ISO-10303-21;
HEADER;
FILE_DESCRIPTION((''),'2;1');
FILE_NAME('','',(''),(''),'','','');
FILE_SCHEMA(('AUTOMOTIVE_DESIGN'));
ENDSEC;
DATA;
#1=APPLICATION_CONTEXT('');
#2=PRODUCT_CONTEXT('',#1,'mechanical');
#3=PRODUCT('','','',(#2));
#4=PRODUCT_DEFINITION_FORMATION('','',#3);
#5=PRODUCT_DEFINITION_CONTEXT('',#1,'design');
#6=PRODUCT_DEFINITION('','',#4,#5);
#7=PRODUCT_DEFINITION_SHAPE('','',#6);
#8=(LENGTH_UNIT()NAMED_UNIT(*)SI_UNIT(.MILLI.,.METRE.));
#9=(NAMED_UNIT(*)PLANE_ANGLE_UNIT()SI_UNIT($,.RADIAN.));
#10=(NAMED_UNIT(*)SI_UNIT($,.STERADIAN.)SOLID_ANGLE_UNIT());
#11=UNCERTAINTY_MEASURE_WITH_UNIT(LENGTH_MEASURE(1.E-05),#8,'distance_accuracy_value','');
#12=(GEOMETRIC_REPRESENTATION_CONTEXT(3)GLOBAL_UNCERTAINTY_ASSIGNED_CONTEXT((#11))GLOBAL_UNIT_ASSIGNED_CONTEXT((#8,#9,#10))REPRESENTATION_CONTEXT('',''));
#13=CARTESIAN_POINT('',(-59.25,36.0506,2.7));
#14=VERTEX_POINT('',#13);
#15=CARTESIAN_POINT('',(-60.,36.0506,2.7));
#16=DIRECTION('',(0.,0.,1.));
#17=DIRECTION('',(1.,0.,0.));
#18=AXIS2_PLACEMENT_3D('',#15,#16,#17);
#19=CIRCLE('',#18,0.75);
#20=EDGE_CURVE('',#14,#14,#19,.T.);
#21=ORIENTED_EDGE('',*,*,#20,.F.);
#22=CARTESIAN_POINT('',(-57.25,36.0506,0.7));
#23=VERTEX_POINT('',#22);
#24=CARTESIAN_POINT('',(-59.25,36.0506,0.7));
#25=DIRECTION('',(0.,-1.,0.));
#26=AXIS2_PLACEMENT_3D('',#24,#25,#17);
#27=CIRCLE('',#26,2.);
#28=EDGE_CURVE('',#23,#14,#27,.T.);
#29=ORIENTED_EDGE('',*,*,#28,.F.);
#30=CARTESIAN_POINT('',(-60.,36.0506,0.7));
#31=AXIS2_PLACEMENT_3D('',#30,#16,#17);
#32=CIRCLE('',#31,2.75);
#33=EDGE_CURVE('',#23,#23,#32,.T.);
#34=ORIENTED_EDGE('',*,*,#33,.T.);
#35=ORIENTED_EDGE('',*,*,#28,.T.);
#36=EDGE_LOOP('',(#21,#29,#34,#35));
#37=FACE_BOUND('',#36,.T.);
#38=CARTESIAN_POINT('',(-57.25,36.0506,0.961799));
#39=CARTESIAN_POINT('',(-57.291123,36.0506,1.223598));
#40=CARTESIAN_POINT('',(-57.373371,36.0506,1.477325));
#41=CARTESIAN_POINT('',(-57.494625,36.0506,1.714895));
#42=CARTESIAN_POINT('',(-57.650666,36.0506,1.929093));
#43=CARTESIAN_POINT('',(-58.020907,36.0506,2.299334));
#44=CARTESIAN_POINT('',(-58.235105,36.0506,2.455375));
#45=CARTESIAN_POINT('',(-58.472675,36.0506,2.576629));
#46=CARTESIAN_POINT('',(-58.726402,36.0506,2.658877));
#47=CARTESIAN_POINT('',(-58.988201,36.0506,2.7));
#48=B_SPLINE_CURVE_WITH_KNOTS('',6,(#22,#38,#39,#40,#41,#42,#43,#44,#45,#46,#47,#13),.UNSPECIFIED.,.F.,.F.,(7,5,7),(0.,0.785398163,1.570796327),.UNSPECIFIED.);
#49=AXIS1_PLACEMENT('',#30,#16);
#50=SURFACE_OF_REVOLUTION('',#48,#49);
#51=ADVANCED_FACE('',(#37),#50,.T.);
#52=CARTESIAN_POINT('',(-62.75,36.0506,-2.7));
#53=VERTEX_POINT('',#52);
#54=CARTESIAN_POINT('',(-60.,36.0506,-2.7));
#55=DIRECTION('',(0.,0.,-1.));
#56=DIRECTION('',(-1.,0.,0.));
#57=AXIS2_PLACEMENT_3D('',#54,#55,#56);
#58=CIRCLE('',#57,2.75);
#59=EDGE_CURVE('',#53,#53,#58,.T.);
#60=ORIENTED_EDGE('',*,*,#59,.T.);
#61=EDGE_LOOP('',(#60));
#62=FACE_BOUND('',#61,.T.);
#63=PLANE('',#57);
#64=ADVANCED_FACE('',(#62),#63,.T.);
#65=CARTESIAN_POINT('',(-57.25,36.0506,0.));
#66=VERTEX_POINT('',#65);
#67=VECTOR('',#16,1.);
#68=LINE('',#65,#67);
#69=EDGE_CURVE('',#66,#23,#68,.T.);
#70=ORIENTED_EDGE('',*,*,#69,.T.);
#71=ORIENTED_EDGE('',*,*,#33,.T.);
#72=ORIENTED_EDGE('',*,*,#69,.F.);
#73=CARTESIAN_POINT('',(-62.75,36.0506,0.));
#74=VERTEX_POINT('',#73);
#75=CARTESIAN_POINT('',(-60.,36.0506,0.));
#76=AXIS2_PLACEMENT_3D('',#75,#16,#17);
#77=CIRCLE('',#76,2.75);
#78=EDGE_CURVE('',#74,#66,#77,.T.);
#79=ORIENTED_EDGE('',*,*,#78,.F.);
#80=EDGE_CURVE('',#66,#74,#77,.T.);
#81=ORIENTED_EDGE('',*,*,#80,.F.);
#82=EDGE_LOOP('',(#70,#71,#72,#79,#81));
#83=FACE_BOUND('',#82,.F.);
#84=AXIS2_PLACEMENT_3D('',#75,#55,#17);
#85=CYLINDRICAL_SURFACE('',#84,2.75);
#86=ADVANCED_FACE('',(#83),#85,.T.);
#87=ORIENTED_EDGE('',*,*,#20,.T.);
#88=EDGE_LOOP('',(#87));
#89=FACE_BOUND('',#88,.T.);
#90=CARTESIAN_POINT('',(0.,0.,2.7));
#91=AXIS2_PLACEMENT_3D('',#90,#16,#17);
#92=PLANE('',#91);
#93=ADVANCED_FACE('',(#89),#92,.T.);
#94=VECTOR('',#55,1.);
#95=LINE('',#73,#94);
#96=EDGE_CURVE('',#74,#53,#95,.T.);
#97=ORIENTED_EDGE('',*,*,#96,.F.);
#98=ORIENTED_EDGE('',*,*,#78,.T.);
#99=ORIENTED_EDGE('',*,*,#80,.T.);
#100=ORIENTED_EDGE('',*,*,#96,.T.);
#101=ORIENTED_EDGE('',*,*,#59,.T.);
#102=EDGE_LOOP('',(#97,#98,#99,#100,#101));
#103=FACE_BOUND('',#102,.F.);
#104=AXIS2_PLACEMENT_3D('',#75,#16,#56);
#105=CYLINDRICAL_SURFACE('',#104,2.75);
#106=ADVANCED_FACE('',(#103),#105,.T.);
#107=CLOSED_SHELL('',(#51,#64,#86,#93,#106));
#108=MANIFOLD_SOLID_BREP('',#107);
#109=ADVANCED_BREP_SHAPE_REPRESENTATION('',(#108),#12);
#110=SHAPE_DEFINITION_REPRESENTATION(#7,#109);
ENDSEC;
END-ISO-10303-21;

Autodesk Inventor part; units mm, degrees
ref_plane "YZ Plane" through (0, 0, 0) normal (1, 0, 0) x (0, 1, 0)
ref_plane "XZ Plane" through (0, 0, 0) normal (0, 1, 0) x (-1, 0, 0)
ref_plane "XY Plane" through (0, 0, 0) normal (0, 0, 1) x (1, 0, 0)
sketch "Sketch1" plane through (0, 0, 0) normal (0, 0, 1) x (1, 0, 0)
  circle A0 centre (-60, 36.0506) radius 2.75
  dimension "d1" = 5.5
extrude "Extrusion1" add sketch "Sketch1" along normal blind 2.7
fillet "Fillet1" radius 2 1 edges at (-62.75, 36.0506, 2.7)
sketch "Sketch4" plane through (-60, 36.0506, 0) normal (0, 0, -1) x (-1, 0, 0)
  circle A0 centre (0, 0) radius 2.75
  dimension "d11" = 5.5
extrude "Extrusion3" add sketch "Sketch4" along normal blind 2.7
properties part number "d-padball"
